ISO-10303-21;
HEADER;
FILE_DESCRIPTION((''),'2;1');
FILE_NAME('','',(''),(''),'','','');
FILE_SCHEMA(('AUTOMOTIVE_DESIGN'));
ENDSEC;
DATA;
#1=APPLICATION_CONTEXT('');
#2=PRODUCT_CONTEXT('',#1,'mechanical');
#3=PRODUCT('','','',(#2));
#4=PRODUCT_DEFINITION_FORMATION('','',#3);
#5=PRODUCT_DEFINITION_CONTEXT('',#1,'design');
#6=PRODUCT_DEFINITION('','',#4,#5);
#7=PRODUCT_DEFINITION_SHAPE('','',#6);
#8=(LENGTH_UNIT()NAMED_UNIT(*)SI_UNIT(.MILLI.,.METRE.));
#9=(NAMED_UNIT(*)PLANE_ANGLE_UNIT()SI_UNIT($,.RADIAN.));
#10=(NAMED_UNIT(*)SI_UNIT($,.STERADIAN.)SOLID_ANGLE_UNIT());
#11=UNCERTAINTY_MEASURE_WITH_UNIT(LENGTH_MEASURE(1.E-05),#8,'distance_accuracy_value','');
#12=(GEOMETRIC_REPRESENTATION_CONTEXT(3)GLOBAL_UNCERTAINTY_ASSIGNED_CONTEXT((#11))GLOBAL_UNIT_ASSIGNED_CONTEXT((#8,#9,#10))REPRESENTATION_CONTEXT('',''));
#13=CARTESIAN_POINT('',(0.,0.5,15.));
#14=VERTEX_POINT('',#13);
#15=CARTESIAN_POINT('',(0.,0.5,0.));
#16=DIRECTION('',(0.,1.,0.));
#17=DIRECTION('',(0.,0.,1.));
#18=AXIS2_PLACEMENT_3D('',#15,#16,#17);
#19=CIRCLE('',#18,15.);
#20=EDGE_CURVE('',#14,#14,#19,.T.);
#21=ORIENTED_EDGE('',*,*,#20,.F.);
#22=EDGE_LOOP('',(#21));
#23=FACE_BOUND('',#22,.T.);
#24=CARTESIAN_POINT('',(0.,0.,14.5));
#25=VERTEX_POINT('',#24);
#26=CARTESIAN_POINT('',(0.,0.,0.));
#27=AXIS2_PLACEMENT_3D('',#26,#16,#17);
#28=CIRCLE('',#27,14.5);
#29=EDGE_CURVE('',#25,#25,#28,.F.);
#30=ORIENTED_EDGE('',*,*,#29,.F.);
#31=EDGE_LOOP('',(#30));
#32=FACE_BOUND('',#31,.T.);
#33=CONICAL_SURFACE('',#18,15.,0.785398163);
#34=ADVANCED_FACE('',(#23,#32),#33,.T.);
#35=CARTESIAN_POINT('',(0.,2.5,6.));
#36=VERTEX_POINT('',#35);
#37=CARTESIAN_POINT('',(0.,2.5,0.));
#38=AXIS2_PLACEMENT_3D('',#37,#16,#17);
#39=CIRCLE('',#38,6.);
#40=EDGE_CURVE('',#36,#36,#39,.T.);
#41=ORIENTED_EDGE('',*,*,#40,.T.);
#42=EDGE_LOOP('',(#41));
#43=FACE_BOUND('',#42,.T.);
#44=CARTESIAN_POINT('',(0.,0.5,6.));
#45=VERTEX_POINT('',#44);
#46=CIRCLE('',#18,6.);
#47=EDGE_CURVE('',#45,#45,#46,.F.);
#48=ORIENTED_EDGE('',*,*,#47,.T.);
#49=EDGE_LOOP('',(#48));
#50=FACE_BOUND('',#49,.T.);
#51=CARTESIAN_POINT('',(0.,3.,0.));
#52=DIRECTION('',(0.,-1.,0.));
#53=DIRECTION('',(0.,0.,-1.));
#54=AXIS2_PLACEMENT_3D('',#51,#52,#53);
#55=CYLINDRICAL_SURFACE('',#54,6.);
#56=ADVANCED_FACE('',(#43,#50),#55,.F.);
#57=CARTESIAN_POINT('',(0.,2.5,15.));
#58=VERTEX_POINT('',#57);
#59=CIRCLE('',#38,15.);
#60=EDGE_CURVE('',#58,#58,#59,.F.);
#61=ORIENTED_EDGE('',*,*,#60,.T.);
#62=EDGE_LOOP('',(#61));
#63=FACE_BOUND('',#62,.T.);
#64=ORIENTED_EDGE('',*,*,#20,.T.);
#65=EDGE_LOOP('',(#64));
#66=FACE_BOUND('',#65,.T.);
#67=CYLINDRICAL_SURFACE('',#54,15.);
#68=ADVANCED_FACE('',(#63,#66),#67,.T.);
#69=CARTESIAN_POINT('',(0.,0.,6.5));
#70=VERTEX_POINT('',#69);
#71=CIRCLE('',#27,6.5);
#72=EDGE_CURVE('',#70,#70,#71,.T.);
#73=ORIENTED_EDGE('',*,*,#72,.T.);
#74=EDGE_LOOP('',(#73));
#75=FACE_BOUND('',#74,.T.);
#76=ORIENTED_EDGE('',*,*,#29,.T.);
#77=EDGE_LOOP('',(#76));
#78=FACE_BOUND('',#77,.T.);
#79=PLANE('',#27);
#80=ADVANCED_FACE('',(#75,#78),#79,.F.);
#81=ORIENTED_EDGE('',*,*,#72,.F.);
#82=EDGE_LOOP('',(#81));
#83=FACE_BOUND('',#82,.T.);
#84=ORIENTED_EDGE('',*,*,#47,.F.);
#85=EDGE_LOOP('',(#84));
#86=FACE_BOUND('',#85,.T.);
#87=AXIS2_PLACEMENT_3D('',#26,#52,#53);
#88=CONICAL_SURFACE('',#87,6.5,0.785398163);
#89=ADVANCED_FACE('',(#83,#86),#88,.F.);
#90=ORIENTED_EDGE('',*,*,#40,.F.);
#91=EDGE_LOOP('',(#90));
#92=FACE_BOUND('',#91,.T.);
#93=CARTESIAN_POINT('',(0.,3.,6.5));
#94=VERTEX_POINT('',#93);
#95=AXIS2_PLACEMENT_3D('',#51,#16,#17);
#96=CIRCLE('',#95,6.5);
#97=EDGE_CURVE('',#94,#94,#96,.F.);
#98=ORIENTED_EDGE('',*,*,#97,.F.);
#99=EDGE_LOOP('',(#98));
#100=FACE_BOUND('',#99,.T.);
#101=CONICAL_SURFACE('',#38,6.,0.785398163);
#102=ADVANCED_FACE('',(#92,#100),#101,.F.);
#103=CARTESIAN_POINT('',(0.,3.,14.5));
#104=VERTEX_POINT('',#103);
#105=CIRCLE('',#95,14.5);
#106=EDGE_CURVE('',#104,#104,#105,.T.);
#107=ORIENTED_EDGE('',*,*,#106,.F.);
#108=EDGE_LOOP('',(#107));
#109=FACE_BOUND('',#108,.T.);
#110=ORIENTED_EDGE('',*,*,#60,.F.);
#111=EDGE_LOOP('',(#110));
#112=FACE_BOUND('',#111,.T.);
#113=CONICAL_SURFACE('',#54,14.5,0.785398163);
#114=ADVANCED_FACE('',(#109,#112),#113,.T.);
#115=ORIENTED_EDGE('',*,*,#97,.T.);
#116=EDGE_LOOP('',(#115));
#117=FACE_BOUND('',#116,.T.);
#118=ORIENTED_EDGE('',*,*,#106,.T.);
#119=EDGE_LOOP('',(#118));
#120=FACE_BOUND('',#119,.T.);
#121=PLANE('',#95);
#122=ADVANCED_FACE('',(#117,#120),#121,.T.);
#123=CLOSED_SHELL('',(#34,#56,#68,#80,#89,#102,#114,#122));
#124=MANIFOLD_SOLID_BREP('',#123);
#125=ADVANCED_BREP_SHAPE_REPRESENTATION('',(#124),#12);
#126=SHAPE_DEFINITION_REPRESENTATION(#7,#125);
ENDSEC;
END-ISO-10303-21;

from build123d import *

# Parameters (mm, degrees)
SKETCH_1_R      = 15
SKETCH_1_R_2    = 6
EXTRUDE_1_DEPTH = 3
CHAMFER_1_SIZE  = 0.5


with BuildPart() as part:
    # Эскиз1 → Бобышка-Вытянуть1 (new body)
    with BuildSketch(Plane(origin=(0, 0, 0), x_dir=(1, 0, 0), z_dir=(0, 1, 0))):
        with Locations(Location((0, 0, 0), (0, 0, 270))):
            Circle(SKETCH_1_R)
        with Locations(Location((0, 0, 0), (0, 0, 270))):
            Circle(SKETCH_1_R_2, mode=Mode.SUBTRACT)
    extrude(amount=EXTRUDE_1_DEPTH)

    # Фаска1
    chamfer_1_edges = [part.edges().sort_by_distance(p)[0] for p in [
        (0, 0, -15),
        (0, 3, -15),
        (0, 0, -6),
        (0, 3, -6),
    ]]
    chamfer(chamfer_1_edges, length=CHAMFER_1_SIZE)


solid = part.part
